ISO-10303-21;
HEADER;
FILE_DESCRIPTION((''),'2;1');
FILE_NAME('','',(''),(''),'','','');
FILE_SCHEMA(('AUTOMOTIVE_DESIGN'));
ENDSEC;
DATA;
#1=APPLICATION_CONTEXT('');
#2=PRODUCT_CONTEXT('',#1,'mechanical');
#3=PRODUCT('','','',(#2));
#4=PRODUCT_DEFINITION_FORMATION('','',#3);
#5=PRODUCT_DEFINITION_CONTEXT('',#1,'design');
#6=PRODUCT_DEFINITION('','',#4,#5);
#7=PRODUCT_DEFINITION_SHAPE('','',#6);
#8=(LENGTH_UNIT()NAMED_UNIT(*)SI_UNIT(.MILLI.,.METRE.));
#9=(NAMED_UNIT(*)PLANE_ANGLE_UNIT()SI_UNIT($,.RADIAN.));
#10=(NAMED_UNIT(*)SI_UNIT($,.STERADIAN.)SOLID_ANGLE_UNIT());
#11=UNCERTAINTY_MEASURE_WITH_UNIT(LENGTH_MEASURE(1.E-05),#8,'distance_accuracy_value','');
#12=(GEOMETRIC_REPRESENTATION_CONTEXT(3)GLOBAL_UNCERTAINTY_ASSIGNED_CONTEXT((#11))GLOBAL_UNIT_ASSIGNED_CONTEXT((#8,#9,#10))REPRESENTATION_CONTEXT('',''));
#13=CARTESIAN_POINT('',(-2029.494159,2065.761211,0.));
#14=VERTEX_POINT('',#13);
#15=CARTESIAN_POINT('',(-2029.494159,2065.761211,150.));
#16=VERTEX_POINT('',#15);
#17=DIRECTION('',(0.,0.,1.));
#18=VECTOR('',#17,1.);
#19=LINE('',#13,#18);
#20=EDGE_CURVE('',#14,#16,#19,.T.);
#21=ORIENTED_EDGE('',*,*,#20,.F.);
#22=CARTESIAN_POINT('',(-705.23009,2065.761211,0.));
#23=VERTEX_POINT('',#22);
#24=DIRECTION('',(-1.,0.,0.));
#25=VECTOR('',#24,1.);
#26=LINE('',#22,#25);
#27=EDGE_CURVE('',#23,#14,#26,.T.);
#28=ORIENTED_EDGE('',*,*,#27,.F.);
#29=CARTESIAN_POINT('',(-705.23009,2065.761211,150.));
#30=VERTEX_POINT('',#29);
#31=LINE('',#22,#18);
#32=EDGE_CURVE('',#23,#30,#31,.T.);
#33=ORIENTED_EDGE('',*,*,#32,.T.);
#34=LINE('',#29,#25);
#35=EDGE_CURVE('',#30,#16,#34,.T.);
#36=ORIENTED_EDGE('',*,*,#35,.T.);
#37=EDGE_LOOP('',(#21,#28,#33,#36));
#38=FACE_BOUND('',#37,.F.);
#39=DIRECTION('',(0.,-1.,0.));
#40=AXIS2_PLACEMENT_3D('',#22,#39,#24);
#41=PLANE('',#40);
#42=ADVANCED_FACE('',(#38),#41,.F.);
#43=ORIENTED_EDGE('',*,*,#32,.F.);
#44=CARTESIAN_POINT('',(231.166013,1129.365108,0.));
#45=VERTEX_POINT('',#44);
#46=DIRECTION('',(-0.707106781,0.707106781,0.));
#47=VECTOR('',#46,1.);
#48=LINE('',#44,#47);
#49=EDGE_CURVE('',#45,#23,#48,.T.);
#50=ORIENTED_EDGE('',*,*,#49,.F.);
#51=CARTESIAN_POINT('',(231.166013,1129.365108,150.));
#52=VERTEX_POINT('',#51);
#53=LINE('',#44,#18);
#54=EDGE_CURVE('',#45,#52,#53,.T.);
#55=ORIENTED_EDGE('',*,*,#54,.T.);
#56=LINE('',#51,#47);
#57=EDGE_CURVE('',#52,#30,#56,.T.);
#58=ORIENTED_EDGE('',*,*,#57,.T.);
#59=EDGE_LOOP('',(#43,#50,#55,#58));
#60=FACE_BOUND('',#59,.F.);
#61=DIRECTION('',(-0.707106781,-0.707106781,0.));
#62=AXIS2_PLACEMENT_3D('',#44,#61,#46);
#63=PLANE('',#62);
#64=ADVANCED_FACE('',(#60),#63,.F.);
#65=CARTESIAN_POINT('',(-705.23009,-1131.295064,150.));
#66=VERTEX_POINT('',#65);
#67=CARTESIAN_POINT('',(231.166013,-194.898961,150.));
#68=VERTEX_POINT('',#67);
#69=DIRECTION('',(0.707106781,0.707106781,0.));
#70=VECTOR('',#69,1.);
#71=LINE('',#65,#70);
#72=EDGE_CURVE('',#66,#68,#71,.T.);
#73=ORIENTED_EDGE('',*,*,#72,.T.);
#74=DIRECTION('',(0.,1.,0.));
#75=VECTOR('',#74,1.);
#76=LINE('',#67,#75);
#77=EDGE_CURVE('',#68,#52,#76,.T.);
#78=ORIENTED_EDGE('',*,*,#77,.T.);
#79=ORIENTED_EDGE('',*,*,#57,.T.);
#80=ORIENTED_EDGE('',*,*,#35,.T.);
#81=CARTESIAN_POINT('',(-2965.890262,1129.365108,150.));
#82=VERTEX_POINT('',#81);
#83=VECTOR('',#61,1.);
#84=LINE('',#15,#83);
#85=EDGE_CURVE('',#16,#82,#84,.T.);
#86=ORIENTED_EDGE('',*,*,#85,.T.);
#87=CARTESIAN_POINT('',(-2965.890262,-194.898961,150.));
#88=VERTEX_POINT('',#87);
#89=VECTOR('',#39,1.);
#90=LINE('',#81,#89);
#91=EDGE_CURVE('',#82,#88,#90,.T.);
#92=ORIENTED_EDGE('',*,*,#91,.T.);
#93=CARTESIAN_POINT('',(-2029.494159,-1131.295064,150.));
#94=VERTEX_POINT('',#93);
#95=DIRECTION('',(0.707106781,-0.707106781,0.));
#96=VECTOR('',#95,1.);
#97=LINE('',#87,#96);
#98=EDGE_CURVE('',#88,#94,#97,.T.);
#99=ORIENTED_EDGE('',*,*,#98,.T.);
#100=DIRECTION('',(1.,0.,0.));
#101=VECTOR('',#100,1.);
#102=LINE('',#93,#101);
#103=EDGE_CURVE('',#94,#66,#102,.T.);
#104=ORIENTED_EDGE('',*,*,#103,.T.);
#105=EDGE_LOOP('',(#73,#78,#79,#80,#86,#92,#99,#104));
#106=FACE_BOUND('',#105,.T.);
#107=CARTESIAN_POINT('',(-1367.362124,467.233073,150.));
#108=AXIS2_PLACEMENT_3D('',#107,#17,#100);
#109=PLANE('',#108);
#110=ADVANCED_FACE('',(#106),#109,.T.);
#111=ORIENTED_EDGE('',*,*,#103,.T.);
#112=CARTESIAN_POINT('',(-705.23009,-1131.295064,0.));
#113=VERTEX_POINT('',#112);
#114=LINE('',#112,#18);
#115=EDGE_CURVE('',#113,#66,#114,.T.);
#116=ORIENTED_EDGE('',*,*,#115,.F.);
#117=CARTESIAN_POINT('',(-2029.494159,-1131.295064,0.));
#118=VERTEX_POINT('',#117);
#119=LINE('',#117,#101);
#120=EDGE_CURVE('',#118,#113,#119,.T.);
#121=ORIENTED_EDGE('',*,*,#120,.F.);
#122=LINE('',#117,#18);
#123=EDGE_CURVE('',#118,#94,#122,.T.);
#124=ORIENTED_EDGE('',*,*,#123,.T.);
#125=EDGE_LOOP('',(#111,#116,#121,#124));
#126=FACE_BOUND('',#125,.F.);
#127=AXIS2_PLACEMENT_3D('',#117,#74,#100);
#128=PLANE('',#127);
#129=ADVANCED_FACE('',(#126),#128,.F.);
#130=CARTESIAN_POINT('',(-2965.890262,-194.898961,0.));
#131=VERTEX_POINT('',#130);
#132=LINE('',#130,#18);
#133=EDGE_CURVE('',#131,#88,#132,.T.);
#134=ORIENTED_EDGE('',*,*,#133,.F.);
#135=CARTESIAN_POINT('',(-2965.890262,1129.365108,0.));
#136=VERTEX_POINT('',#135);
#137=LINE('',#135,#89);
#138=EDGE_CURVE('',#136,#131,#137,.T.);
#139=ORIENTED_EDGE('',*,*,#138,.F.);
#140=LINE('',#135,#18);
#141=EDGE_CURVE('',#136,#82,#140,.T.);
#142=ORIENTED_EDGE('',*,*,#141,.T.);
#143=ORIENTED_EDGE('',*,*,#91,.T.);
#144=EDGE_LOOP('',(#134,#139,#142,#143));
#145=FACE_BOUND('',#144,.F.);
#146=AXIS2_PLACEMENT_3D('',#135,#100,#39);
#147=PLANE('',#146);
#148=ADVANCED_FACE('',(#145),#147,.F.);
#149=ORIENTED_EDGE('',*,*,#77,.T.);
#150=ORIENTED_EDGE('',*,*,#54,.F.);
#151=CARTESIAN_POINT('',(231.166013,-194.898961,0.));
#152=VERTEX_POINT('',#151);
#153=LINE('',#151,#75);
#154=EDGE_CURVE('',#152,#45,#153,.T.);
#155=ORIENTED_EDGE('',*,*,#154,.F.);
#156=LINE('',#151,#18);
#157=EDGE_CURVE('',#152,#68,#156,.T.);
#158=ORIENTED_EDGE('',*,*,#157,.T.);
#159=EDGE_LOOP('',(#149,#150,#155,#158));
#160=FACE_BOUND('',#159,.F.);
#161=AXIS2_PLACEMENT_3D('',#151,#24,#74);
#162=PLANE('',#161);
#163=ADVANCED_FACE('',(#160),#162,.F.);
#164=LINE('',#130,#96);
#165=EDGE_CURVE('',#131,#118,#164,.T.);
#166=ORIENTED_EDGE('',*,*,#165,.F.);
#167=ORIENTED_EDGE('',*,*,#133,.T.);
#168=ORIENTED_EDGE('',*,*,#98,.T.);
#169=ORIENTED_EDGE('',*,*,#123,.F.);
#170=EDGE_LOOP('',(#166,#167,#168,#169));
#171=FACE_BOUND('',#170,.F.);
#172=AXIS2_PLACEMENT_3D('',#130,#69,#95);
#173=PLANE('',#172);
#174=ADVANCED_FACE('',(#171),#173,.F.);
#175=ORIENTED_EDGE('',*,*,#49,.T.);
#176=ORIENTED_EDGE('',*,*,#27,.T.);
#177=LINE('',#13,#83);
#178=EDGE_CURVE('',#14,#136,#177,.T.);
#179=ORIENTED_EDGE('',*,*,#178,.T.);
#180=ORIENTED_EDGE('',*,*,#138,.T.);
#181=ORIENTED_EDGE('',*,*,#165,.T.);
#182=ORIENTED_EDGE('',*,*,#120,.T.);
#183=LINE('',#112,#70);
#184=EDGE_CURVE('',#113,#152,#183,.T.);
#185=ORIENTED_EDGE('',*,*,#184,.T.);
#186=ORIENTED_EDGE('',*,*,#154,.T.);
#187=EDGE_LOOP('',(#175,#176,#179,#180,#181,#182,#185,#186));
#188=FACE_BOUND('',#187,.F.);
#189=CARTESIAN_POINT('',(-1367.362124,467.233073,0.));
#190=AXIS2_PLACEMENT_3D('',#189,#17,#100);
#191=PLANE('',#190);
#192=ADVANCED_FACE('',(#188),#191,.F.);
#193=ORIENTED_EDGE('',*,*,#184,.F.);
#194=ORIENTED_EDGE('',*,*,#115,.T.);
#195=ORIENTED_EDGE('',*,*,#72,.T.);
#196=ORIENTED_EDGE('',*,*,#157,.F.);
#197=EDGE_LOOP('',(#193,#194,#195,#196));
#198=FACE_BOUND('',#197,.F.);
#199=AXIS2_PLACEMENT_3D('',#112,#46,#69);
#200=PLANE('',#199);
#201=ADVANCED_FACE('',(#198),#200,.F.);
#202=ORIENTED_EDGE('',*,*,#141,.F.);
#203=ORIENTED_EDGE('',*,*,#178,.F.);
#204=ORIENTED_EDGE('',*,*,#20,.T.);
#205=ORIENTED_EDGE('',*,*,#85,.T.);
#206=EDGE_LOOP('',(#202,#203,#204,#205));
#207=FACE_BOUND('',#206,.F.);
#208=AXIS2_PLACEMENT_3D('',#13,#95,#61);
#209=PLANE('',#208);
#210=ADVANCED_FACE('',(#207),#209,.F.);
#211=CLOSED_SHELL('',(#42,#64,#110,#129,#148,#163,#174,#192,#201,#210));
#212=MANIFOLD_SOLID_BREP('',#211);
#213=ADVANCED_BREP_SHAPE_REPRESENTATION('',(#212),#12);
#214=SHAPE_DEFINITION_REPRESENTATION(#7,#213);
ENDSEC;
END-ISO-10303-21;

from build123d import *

# Parameters (mm, degrees)
F1_DEPTH = 150


with BuildPart() as f1:
    # F0 (on Top) → F1 (new body)
    with BuildSketch(Plane.XY):
        Polygon((-2965.890262, 1129.365108), (-2965.890262, -194.898961), (-2029.494159, -1131.295064), (-705.23009, -1131.295064), (231.166013, -194.898961), (231.166013, 1129.365108), (-705.23009, 2065.761211), (-2029.494159, 2065.761211), align=None)
        Polygon((81.166013, 1067.233074), (81.166013, -132.766926), (-767.362124, -981.295064), (-1967.362124, -981.295064), (-2815.890262, -132.766926), (-2815.890262, 1067.233074), (-1967.362124, 1915.761211), (-767.362124, 1915.761211), align=None, mode=Mode.SUBTRACT)
        Polygon((-767.362124, -981.295064), (81.166013, -132.766926), (81.166013, 1067.233074), (-767.362124, 1915.761211), (-1967.362124, 1915.761211), (-2815.890262, 1067.233074), (-2815.890262, -132.766926), (-1967.362124, -981.295064), align=None)
    extrude(amount=F1_DEPTH)


solid = f1.part
